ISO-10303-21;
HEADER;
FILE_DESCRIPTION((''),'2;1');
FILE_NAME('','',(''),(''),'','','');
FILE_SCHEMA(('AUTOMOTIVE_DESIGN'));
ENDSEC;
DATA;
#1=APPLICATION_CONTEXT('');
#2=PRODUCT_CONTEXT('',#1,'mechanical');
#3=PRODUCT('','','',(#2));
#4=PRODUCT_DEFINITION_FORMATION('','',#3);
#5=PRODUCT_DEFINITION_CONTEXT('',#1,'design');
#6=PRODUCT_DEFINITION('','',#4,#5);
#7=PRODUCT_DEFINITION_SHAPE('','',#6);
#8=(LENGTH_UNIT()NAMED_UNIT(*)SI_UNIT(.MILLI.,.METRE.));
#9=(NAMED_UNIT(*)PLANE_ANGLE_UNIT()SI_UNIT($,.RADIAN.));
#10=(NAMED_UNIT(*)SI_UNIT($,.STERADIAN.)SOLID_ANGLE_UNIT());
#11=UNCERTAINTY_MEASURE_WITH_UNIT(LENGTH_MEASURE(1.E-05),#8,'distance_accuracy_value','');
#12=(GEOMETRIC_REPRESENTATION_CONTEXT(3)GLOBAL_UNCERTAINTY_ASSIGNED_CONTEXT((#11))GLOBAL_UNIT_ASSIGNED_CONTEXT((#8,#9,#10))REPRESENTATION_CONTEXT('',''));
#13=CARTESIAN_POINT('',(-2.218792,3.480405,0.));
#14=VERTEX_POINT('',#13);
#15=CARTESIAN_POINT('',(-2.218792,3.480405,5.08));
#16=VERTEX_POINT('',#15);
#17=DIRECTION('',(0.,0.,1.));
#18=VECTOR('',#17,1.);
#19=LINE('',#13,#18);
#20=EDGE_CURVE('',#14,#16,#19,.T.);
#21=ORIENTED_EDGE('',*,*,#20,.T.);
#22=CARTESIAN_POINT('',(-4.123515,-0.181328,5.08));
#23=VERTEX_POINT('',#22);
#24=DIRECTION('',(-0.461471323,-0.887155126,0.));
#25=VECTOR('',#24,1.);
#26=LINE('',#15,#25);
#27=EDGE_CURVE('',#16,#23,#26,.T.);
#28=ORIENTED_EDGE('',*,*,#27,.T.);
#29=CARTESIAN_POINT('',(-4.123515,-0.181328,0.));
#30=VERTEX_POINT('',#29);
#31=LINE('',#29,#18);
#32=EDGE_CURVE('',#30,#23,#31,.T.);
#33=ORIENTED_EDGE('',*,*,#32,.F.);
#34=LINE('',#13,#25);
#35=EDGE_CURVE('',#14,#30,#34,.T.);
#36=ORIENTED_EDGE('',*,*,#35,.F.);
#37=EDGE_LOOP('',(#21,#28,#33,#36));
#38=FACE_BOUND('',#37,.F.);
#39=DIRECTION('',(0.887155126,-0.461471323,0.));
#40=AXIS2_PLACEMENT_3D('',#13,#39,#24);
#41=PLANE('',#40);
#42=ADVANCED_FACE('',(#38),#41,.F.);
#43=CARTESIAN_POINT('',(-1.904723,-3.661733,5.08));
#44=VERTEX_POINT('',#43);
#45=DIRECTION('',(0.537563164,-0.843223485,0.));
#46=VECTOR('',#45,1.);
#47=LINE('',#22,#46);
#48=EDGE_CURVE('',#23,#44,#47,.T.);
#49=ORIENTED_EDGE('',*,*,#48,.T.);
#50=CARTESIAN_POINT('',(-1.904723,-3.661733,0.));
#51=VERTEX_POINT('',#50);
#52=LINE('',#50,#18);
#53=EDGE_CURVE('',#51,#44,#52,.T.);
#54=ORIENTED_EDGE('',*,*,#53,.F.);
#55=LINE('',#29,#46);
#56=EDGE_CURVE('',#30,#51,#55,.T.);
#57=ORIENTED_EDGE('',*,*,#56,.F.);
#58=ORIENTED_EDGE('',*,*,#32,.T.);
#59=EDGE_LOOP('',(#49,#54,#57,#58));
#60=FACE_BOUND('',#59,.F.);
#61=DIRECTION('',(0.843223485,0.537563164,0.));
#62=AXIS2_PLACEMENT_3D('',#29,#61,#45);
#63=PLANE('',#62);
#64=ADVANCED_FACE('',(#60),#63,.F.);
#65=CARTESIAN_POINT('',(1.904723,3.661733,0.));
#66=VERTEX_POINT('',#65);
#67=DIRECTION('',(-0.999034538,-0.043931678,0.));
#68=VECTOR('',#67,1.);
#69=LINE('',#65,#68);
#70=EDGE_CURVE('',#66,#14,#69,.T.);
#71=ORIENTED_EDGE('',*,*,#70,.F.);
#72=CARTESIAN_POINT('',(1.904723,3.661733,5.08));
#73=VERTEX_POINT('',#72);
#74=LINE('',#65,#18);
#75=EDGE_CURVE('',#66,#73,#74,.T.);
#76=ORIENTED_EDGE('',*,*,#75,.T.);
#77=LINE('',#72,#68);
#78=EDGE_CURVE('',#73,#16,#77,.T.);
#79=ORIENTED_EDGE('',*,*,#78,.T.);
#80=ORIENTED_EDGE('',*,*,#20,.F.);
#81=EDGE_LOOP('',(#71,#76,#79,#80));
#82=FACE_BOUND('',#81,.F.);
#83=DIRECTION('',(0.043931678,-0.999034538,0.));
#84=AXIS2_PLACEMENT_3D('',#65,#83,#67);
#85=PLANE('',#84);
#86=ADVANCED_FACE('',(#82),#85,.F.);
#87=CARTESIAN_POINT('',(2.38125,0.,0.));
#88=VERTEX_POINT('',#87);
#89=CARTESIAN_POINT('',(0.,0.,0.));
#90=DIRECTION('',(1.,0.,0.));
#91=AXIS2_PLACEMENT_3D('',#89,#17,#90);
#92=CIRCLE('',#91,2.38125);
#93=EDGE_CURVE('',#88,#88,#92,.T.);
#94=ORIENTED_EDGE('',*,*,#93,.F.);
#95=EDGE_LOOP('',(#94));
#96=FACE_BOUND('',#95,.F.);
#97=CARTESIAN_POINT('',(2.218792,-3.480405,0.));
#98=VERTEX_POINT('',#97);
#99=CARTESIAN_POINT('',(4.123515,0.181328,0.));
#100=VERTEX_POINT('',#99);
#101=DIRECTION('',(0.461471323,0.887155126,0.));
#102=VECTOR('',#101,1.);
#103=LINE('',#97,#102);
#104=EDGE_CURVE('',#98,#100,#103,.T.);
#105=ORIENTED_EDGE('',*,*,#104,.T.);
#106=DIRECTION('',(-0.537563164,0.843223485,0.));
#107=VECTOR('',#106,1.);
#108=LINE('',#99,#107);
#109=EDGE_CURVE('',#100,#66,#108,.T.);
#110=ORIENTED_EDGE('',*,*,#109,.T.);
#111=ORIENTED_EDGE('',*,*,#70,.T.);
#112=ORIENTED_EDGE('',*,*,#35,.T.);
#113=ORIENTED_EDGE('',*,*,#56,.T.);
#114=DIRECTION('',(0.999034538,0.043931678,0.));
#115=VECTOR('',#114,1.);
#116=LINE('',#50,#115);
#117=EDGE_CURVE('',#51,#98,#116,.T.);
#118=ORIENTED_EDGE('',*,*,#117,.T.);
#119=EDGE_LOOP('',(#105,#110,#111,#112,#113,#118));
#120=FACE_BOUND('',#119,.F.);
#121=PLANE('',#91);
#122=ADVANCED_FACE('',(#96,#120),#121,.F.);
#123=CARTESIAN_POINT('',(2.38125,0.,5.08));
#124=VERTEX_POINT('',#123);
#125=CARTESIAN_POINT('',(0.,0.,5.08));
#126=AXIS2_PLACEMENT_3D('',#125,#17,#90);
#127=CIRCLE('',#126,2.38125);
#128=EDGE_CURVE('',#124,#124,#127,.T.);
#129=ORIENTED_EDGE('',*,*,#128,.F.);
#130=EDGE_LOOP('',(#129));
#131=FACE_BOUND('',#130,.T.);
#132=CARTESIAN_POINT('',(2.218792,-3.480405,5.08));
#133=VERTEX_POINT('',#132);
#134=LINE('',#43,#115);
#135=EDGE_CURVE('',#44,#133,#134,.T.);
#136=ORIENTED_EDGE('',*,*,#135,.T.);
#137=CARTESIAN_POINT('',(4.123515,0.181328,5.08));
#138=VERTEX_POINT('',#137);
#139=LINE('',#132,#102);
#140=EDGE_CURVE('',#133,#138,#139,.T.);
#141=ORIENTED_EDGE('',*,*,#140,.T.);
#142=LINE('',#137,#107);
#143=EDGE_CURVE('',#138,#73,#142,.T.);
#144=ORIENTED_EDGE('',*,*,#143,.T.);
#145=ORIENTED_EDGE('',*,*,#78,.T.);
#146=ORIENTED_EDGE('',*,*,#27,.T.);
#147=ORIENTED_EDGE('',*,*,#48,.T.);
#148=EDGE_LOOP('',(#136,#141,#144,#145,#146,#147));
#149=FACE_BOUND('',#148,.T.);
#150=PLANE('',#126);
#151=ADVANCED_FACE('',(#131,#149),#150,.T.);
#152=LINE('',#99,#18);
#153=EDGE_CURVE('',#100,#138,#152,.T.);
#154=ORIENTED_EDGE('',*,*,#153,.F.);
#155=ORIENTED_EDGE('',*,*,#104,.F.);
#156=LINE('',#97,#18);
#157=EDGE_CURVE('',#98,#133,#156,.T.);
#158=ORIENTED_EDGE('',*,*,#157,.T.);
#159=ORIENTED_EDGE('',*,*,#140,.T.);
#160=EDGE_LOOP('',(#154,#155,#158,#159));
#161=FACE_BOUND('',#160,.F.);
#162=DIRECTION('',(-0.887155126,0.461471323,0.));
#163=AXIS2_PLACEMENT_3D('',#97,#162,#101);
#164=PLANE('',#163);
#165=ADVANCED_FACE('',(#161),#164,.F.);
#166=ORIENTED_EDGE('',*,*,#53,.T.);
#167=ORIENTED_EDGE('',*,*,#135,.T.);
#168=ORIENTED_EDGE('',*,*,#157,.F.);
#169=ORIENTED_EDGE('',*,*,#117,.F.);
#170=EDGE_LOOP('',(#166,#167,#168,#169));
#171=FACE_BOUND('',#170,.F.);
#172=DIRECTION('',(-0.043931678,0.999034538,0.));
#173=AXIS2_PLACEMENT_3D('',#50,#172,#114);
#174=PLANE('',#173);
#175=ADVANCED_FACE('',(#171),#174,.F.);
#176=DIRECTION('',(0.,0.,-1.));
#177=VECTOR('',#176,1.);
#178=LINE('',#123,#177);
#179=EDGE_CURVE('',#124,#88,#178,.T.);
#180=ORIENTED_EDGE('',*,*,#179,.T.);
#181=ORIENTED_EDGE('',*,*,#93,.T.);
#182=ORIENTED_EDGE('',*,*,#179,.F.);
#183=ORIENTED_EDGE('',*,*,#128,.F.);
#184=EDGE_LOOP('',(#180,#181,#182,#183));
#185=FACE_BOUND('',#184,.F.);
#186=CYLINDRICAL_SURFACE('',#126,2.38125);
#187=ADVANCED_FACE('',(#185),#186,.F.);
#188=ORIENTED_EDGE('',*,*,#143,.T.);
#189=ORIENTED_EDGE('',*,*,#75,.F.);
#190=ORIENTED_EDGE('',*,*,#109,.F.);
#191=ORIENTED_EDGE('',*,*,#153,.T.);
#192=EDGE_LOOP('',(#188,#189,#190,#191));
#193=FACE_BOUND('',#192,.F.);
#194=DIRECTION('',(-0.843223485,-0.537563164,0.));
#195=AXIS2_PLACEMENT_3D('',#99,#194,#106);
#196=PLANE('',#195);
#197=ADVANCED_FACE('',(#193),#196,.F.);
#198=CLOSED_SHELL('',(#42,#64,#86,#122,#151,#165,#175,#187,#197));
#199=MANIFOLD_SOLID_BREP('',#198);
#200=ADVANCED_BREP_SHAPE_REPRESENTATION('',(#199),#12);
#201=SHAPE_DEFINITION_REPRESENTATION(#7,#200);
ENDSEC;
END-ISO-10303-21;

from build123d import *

# Parameters (mm, degrees)
F1_DEPTH = 5.08
F2_R     = 2.38125
F3_DEPTH = 5.081


with BuildPart() as f1:
    # F0 (on Top) → F1 (new body)
    with BuildSketch(Plane.XY):
        Polygon((4.123515, 0.181328), (1.904723, 3.661733), (-2.218792, 3.480405), (-4.123515, -0.181328), (-1.904723, -3.661733), (2.218792, -3.480405), align=None)
    extrude(amount=F1_DEPTH)

    # F2 (on face) → F3 (cut, through all)
    with BuildSketch(Plane.XY.offset(5.08)):
        Circle(F2_R)
    extrude(amount=-F3_DEPTH, mode=Mode.SUBTRACT)


solid = f1.part
